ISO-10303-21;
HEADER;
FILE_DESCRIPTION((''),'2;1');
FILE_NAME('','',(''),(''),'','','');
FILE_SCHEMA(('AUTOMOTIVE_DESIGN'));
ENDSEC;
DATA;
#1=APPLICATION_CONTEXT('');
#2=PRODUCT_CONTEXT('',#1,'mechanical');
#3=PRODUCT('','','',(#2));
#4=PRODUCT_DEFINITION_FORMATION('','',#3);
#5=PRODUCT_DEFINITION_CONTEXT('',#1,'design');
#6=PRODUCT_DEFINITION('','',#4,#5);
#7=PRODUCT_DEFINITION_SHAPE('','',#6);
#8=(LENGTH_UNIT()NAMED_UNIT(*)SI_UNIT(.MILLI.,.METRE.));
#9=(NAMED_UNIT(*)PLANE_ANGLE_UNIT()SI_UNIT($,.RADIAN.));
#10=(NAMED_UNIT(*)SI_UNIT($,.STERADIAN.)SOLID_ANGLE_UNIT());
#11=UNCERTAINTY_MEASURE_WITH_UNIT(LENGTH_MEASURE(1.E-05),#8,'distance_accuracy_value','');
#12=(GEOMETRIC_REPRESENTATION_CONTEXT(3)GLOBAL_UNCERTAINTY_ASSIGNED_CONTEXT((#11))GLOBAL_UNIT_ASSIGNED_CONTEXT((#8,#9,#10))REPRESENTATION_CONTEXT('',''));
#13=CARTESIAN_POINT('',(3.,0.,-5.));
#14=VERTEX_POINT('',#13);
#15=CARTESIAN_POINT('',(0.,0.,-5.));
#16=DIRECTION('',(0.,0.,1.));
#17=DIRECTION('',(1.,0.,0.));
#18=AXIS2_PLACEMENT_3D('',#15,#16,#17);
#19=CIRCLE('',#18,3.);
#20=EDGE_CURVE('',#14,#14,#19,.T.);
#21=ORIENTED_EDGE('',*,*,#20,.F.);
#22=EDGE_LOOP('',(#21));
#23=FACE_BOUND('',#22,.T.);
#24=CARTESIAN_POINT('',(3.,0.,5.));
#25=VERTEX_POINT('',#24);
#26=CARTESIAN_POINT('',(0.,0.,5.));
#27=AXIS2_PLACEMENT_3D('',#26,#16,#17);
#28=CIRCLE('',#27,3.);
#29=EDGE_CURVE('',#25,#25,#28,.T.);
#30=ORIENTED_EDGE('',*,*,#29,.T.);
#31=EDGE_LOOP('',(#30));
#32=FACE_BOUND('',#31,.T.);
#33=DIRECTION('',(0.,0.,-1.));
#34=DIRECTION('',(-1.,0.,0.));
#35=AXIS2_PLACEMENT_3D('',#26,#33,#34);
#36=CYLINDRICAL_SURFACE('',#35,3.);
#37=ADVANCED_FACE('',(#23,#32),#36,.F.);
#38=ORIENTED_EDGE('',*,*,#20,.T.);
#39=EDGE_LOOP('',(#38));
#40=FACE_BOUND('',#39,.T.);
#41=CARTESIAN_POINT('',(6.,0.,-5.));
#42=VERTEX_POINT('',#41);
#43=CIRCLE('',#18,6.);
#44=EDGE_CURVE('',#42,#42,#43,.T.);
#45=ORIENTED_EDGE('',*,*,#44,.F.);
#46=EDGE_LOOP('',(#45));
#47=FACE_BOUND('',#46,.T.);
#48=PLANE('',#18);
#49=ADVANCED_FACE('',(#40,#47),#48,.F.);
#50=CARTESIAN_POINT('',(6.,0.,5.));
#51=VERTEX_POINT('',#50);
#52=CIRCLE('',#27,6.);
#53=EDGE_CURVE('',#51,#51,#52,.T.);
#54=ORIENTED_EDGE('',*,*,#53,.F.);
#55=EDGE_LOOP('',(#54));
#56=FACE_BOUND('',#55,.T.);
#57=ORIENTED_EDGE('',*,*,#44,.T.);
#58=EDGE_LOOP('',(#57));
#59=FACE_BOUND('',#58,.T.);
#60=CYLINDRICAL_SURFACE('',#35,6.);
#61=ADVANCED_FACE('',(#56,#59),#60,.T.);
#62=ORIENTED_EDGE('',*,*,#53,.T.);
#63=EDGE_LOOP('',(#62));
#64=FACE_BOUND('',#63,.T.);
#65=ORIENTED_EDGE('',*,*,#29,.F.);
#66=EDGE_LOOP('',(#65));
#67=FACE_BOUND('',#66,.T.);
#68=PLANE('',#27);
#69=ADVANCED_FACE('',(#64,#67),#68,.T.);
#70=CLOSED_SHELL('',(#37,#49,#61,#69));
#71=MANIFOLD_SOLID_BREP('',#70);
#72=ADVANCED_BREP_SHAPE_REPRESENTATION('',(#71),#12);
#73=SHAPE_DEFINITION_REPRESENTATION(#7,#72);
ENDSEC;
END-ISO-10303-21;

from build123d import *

# Parameters (mm, degrees)
SKETCH_1_R      = 6
SKETCH_1_R_2    = 3
EXTRUDE_1_DEPTH = 5


with BuildPart() as part:
    # 草图1 → 凸台-拉伸1 (new, symmetric)
    with BuildSketch(Plane.XY):
        Circle(SKETCH_1_R)
        Circle(SKETCH_1_R_2, mode=Mode.SUBTRACT)
    extrude(amount=EXTRUDE_1_DEPTH, both=True)


solid = part.part
